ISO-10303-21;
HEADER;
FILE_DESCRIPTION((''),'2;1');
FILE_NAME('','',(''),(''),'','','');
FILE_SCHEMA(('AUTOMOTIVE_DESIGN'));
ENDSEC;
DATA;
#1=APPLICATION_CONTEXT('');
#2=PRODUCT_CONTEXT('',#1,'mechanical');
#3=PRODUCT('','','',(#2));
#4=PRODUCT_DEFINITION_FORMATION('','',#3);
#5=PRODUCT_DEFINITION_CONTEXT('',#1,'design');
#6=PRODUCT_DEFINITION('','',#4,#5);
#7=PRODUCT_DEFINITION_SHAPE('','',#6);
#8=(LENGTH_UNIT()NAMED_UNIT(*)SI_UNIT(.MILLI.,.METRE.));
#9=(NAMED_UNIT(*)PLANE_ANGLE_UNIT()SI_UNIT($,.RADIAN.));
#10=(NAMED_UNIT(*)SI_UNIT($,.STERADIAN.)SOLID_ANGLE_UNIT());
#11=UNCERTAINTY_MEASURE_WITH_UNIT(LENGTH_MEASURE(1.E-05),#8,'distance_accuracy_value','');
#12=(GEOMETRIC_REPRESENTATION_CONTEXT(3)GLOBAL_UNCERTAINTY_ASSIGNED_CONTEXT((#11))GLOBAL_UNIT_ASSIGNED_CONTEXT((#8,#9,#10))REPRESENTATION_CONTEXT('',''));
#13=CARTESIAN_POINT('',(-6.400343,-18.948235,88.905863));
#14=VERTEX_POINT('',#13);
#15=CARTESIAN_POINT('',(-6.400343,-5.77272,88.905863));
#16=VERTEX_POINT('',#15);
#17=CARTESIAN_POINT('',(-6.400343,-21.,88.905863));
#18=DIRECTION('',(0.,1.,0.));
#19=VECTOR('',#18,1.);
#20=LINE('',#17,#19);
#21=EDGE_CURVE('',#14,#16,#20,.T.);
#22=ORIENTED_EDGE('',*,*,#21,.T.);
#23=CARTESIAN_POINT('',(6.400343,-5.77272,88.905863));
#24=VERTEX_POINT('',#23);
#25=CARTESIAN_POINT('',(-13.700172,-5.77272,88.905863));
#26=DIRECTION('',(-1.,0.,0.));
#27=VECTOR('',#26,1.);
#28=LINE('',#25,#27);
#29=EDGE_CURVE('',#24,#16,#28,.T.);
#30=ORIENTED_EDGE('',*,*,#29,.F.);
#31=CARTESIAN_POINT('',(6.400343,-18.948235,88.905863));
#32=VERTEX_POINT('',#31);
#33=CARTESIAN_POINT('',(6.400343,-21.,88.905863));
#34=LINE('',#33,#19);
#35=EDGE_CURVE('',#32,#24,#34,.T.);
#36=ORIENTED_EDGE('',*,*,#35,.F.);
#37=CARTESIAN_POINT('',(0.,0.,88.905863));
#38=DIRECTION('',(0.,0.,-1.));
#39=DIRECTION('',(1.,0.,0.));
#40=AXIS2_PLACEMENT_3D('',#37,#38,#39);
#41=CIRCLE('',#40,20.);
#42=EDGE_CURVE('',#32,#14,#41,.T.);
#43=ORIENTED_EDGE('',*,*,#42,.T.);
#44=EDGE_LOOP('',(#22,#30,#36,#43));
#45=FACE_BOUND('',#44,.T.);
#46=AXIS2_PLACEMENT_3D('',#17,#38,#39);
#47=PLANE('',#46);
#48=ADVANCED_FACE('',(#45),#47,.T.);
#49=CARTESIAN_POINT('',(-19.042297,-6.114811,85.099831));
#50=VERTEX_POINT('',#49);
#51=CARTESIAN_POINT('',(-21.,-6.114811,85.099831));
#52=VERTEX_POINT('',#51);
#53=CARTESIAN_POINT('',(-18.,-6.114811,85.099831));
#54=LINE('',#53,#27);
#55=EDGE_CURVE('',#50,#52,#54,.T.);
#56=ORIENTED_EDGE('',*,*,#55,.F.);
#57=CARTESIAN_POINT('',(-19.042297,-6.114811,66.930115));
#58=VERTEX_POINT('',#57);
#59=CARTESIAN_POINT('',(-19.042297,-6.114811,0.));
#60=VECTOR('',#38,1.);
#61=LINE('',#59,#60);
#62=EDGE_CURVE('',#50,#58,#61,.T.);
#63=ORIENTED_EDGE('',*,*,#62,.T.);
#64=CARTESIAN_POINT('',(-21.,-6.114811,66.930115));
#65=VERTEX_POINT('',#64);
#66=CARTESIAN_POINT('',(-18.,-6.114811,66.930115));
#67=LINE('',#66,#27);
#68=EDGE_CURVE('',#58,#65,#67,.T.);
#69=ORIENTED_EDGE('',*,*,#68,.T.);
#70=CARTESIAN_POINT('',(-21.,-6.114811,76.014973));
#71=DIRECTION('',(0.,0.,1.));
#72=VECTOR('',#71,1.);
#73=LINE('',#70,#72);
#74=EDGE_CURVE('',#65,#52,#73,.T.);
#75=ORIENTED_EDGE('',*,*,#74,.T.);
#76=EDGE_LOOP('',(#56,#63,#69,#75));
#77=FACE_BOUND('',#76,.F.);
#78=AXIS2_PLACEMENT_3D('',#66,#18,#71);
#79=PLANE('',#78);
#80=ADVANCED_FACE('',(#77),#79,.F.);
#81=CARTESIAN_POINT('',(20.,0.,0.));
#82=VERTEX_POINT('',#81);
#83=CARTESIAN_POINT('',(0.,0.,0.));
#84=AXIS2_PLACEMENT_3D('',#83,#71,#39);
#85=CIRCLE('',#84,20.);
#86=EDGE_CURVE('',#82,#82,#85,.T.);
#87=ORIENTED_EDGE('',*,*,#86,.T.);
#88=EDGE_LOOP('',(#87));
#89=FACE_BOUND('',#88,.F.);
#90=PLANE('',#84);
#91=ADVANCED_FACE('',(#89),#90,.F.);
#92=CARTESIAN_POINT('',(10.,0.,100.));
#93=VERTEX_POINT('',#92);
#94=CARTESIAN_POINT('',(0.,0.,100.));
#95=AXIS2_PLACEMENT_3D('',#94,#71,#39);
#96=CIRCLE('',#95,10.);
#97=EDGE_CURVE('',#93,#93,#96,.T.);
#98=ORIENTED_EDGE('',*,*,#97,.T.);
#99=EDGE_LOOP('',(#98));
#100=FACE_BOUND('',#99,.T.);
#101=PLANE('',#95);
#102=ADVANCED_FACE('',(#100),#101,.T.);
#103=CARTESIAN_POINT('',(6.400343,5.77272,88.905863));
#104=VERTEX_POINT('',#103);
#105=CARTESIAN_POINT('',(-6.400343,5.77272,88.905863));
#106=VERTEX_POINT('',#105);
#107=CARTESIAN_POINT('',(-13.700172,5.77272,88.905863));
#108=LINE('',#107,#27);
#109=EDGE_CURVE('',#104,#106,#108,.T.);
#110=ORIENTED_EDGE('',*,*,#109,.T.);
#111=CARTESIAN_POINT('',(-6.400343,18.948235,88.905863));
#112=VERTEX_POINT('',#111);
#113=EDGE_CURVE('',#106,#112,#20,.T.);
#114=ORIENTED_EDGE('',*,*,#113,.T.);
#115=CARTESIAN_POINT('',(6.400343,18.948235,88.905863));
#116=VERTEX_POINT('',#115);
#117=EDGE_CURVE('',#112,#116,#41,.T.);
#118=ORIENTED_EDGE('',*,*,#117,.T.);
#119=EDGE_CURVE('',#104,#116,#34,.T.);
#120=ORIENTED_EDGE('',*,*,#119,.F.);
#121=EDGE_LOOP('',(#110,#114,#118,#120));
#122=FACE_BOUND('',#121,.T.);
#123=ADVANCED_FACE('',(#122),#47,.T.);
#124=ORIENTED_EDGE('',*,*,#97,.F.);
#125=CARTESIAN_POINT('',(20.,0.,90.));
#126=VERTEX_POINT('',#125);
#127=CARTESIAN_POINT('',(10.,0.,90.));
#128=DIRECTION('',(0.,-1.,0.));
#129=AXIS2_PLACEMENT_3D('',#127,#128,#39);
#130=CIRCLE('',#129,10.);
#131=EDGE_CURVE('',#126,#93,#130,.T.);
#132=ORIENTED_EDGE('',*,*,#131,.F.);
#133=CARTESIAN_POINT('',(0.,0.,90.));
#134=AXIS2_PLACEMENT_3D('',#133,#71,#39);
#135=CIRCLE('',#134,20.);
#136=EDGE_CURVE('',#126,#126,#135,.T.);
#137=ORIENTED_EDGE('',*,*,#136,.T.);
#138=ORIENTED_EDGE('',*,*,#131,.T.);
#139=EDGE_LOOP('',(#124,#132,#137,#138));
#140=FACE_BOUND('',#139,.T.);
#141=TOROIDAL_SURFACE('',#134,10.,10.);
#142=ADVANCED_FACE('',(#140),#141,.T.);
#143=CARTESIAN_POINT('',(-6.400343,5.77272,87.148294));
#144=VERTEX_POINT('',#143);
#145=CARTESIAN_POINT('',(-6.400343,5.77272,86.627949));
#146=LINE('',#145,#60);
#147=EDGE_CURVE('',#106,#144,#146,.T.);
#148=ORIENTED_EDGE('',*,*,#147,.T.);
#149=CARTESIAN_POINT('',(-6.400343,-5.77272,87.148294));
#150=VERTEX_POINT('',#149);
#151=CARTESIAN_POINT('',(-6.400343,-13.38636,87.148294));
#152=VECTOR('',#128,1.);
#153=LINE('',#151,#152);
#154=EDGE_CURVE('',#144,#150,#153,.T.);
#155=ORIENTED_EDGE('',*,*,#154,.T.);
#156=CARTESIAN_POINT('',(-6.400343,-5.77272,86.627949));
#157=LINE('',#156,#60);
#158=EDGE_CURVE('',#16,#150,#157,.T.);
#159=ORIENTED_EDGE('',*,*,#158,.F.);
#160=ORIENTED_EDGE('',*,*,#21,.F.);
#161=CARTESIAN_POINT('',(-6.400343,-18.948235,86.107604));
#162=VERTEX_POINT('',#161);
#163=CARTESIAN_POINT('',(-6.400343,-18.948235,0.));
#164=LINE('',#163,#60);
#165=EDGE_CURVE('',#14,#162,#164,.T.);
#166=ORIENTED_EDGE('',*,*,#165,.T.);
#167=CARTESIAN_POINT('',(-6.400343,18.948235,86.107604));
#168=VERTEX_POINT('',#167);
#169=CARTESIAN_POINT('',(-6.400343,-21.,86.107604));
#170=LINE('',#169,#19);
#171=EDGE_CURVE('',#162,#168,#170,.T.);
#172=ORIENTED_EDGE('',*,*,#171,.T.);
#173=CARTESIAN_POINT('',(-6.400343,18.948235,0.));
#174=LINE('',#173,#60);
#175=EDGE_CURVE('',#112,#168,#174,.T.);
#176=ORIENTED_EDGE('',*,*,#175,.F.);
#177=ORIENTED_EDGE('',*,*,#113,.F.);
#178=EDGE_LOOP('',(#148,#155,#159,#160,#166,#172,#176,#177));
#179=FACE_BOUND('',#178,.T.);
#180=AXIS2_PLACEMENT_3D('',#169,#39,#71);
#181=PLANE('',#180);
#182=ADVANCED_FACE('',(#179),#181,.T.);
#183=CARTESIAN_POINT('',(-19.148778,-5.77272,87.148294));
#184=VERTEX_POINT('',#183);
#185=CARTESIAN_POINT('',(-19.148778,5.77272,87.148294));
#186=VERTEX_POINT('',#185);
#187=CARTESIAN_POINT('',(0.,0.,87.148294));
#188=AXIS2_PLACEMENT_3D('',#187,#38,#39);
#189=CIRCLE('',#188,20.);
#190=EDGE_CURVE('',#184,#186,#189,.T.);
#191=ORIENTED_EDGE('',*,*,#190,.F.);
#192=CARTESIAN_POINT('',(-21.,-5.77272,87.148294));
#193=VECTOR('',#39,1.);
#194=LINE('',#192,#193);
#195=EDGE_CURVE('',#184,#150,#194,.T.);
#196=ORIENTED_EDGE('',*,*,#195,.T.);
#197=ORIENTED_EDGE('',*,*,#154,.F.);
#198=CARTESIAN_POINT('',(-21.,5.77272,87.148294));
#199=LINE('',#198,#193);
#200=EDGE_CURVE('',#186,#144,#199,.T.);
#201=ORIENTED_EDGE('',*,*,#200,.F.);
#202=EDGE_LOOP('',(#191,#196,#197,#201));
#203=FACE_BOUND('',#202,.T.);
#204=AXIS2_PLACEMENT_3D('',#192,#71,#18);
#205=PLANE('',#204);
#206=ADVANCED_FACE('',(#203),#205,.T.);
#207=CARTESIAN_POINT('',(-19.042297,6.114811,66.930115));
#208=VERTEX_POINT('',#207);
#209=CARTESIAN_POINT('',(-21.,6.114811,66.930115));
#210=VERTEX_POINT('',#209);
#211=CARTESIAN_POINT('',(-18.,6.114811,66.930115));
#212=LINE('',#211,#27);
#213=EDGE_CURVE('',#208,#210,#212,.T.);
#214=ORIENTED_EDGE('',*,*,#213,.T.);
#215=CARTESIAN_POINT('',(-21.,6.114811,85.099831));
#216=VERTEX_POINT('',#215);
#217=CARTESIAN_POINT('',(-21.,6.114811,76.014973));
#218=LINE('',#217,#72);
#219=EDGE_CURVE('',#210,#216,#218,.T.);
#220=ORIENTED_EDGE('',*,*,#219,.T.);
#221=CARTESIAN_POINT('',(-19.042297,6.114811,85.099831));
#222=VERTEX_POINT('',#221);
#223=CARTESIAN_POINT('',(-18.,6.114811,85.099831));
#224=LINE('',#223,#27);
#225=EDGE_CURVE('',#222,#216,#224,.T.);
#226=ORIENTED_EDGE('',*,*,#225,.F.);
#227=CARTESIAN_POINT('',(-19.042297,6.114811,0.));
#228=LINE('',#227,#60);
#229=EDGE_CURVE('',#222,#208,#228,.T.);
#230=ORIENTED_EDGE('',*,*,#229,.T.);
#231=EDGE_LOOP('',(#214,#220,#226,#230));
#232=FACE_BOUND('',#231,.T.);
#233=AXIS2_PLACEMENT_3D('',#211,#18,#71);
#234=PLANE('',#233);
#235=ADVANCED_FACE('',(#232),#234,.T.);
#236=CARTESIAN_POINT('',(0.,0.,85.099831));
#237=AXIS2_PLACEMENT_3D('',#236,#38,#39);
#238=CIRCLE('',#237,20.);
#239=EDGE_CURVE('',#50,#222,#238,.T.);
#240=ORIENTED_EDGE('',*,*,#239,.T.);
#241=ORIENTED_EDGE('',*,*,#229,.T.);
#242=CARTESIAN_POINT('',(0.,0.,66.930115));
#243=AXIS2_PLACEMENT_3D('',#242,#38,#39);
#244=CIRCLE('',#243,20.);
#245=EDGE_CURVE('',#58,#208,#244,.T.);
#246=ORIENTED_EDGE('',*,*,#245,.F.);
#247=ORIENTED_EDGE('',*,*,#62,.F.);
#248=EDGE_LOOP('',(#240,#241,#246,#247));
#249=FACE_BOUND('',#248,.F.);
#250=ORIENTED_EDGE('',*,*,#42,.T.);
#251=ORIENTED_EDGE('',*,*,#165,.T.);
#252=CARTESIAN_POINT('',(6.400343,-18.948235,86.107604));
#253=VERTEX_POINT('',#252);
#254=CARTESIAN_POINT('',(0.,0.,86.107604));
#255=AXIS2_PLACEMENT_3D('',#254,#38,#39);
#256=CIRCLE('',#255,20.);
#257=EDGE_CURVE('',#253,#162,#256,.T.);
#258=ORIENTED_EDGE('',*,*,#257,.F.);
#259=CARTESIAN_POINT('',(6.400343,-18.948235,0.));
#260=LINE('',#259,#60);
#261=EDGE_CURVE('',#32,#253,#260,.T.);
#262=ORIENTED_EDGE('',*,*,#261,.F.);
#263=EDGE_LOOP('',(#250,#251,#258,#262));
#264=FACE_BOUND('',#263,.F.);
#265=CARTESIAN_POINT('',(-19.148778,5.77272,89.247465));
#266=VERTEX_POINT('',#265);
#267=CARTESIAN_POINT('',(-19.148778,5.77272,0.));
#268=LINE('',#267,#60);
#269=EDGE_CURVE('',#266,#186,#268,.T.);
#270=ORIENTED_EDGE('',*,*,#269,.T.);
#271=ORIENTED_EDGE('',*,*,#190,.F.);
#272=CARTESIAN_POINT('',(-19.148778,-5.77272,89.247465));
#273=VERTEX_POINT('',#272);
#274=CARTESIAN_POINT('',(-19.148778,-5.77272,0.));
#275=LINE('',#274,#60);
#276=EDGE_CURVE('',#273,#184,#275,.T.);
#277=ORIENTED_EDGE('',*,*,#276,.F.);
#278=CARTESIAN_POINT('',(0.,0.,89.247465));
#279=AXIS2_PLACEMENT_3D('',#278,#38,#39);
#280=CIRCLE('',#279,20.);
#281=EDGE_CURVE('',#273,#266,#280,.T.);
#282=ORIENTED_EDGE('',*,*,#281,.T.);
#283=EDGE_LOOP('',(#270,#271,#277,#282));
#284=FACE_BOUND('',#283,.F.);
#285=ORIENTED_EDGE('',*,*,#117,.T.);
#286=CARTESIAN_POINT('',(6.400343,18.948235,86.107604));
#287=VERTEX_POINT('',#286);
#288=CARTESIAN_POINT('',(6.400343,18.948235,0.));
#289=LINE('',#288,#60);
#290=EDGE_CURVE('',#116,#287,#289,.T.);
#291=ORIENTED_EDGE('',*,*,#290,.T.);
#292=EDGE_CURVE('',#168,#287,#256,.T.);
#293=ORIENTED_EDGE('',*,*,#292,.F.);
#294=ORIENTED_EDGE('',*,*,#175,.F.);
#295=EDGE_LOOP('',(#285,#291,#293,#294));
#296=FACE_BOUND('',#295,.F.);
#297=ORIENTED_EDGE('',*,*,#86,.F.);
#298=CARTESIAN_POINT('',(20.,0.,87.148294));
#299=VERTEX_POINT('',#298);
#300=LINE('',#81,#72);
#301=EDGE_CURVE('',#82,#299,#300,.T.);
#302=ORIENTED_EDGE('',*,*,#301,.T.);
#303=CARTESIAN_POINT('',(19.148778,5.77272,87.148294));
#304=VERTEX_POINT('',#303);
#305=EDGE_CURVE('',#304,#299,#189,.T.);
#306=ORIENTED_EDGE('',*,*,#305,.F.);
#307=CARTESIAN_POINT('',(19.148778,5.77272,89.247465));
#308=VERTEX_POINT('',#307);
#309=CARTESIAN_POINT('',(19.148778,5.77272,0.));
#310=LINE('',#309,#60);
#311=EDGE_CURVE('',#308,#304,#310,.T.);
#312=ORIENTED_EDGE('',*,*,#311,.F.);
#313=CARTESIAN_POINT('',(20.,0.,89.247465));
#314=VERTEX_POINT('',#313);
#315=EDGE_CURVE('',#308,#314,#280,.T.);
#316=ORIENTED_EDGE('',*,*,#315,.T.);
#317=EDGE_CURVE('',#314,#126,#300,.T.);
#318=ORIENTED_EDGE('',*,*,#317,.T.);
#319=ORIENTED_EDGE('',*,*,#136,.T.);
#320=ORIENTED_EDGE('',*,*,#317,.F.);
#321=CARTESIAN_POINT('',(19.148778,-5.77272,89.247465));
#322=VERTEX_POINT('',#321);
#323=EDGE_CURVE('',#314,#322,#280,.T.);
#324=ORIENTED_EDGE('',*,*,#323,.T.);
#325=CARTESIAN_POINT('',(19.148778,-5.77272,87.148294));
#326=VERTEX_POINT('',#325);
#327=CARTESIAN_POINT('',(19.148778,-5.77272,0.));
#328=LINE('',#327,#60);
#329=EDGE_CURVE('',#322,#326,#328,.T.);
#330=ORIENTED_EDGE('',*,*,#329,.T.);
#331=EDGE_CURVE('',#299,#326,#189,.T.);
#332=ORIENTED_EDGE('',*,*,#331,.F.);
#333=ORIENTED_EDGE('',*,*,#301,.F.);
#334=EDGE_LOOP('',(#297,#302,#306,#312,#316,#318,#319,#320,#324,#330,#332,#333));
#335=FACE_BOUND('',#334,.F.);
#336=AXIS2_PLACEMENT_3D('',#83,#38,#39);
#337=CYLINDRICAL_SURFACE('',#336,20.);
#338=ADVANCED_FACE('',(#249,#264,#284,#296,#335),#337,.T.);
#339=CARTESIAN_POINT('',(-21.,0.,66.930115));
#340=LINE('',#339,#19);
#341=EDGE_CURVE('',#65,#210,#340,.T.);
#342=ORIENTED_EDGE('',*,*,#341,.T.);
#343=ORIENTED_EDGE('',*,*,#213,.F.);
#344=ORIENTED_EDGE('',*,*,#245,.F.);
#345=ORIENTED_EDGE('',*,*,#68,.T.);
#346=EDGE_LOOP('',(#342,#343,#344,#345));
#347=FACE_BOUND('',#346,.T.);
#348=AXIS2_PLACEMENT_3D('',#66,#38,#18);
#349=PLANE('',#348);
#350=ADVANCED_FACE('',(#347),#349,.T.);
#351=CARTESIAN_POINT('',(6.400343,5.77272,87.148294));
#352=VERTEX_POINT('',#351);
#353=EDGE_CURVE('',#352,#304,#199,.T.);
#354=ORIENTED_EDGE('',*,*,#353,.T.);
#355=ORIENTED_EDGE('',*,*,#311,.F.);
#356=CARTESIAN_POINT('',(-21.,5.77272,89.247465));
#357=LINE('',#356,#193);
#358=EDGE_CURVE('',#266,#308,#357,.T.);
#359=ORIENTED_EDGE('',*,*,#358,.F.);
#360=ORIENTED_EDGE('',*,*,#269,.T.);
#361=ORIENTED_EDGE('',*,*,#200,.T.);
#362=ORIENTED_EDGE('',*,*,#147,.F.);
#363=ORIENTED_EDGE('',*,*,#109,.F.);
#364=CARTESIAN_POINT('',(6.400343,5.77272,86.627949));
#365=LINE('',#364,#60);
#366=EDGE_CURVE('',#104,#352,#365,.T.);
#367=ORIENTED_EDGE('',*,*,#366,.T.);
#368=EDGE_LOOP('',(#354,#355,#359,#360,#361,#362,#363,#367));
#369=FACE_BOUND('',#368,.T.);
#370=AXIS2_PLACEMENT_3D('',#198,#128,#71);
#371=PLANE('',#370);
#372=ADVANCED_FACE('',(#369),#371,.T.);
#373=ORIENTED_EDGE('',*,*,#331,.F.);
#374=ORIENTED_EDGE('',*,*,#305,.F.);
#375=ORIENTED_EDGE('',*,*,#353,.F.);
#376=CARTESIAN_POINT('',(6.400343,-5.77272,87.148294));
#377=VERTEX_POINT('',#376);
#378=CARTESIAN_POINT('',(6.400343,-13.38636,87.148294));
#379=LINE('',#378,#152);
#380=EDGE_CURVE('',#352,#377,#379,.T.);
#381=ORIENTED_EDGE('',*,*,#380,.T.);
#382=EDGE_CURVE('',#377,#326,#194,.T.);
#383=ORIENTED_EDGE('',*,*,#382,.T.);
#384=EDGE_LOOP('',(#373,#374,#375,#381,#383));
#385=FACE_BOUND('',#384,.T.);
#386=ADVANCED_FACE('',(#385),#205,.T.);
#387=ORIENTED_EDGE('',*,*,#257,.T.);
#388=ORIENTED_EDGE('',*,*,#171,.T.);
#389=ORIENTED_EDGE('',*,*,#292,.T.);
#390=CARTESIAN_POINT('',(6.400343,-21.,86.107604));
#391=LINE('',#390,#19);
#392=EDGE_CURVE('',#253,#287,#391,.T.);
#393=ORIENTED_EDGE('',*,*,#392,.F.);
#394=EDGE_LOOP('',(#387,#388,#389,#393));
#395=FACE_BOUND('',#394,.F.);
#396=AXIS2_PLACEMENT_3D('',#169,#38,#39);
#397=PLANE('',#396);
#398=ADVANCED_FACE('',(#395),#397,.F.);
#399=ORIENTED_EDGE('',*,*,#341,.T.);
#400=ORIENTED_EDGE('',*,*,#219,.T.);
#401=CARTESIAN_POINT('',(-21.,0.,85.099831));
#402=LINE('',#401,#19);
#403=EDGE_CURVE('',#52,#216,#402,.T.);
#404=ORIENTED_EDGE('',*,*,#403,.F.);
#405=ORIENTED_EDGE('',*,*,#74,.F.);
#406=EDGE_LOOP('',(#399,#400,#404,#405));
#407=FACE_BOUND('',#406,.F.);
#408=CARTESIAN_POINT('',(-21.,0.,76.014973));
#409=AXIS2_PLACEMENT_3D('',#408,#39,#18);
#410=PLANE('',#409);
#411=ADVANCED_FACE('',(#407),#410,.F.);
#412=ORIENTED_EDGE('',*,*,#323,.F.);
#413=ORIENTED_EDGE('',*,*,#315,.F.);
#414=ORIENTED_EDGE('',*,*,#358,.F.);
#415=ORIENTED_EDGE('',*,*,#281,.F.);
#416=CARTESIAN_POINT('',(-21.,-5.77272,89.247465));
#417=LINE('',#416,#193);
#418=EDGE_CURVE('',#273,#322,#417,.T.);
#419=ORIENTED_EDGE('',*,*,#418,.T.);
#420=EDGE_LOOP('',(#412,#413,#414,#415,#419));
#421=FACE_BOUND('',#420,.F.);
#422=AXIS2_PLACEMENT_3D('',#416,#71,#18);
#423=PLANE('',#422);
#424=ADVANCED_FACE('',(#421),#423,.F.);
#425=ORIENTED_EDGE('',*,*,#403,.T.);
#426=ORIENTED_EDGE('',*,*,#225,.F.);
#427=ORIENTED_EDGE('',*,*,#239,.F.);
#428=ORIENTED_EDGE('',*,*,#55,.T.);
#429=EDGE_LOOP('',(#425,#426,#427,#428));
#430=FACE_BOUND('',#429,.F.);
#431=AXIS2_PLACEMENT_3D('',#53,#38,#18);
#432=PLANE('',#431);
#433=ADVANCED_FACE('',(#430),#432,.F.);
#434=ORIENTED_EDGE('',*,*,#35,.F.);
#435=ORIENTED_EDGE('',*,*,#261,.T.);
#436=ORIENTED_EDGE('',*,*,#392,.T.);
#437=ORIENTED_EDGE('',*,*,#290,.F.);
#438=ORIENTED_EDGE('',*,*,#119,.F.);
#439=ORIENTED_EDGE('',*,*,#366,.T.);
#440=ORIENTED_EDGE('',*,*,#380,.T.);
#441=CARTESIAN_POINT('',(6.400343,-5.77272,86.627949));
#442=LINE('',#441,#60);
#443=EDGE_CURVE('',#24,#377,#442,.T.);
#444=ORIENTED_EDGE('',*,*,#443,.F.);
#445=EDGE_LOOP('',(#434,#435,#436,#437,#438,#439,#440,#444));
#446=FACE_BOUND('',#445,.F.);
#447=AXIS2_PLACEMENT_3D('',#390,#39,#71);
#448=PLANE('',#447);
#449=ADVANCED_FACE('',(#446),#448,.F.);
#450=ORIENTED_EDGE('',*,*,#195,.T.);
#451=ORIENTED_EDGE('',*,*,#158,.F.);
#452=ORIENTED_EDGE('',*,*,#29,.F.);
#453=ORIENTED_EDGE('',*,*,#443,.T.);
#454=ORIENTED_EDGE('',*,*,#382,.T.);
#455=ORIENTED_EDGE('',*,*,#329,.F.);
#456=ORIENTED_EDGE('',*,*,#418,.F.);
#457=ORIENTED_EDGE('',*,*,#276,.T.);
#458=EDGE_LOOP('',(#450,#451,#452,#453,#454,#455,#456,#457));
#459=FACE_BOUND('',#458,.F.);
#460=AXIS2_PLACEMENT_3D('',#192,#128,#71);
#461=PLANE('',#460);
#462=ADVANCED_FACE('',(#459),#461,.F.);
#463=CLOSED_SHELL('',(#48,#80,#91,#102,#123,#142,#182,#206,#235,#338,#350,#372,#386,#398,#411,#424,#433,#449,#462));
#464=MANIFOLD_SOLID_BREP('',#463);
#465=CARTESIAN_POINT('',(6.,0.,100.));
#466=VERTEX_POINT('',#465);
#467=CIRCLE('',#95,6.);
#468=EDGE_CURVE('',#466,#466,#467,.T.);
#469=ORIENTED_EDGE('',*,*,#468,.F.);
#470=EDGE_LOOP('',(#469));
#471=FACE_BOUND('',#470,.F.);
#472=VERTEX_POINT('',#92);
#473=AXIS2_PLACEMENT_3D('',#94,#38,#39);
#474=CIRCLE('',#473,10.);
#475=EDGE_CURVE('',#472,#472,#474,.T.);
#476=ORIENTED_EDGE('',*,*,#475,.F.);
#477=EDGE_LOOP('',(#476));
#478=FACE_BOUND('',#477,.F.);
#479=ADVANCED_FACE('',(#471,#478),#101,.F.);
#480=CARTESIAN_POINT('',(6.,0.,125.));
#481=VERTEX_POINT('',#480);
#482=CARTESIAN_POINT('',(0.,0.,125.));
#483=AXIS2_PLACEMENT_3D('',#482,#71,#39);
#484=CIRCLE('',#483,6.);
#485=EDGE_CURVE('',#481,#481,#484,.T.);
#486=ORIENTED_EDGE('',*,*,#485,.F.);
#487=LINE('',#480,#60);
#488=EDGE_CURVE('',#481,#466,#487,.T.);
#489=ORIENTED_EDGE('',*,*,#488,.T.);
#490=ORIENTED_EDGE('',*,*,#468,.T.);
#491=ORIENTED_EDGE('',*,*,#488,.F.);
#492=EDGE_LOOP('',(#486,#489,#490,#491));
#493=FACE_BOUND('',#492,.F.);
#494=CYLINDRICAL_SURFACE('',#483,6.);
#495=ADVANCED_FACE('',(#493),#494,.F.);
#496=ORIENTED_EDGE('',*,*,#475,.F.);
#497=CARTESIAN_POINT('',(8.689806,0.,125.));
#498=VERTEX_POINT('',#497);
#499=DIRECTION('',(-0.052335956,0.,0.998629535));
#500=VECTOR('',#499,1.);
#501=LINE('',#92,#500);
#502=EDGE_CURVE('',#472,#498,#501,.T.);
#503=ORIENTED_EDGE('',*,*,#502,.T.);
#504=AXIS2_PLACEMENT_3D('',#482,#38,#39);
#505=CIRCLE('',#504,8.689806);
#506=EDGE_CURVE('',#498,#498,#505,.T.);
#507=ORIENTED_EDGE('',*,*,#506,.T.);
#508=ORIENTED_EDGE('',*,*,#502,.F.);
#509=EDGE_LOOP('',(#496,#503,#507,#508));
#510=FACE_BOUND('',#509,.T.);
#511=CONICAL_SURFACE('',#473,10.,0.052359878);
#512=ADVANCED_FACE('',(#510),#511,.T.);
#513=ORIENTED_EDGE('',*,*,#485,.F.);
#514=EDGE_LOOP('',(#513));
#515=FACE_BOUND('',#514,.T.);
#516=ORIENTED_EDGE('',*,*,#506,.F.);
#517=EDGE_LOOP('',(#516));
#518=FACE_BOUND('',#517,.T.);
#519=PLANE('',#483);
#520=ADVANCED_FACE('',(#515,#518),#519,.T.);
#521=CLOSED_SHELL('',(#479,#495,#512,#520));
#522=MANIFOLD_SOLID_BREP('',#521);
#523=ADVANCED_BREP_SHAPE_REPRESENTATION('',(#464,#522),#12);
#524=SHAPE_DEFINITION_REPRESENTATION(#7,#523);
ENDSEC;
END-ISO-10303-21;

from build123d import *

# Parameters (mm, degrees)
F0_R      = 20
F1_DEPTH  = 100
F2_R      = 10
F3_DEPTH  = 25
F3_TAPER  = 3
F4_R      = 10
F5_R      = 6
F6_DEPTH  = 25
F8_W      = 12.2296223417
F8_H      = 18.1697160006
F9_DEPTH  = 3
F11_W     = 12.8006860614
F11_H     = 2.7982592583
F12_DEPTH = 50
F14_W     = 11.5454401821
F14_H     = 2.0991712809
F15_DEPTH = 50


with BuildPart() as f1:
    # F0 (on Top) → F1 (new body)
    with BuildSketch(Plane.XY):
        Circle(F0_R)
    extrude(amount=F1_DEPTH)

    # F4
    f4_edges = [f1.edges().sort_by_distance(p)[0] for p in [
        (-20, 0, 100),
    ]]
    fillet(f4_edges, radius=F4_R)

    # F8 (on offset) → F9 (join)
    with BuildSketch(Plane.YZ.offset(-18)):
        with Locations((0, 76.0149732232)):
            Rectangle(F8_W, F8_H)
    extrude(amount=-F9_DEPTH)

    # F11 (on offset) → F12 (cut)
    with BuildSketch(Plane.XZ.offset(21)):
        with Locations((0, 87.5067338347)):
            Rectangle(F11_W, F11_H)
    extrude(amount=-F12_DEPTH, mode=Mode.SUBTRACT)

    # F14 (on offset) → F15 (cut)
    with BuildSketch(Plane.YZ.offset(-21)):
        with Locations((0, 88.1978794932)):
            Rectangle(F14_W, F14_H)
    extrude(amount=F15_DEPTH, mode=Mode.SUBTRACT)


with BuildPart() as f3:
    # F2 (on face) → F3 (new body)
    with BuildSketch(Plane.XY.offset(100)):
        Circle(F2_R)
    extrude(amount=F3_DEPTH, taper=F3_TAPER)

    # F5 (on face) → F6 (cut)
    with BuildSketch(Plane.XY.offset(125)):
        Circle(F5_R)
    extrude(amount=-F6_DEPTH, mode=Mode.SUBTRACT)


solid = Compound([f1.part, f3.part])
